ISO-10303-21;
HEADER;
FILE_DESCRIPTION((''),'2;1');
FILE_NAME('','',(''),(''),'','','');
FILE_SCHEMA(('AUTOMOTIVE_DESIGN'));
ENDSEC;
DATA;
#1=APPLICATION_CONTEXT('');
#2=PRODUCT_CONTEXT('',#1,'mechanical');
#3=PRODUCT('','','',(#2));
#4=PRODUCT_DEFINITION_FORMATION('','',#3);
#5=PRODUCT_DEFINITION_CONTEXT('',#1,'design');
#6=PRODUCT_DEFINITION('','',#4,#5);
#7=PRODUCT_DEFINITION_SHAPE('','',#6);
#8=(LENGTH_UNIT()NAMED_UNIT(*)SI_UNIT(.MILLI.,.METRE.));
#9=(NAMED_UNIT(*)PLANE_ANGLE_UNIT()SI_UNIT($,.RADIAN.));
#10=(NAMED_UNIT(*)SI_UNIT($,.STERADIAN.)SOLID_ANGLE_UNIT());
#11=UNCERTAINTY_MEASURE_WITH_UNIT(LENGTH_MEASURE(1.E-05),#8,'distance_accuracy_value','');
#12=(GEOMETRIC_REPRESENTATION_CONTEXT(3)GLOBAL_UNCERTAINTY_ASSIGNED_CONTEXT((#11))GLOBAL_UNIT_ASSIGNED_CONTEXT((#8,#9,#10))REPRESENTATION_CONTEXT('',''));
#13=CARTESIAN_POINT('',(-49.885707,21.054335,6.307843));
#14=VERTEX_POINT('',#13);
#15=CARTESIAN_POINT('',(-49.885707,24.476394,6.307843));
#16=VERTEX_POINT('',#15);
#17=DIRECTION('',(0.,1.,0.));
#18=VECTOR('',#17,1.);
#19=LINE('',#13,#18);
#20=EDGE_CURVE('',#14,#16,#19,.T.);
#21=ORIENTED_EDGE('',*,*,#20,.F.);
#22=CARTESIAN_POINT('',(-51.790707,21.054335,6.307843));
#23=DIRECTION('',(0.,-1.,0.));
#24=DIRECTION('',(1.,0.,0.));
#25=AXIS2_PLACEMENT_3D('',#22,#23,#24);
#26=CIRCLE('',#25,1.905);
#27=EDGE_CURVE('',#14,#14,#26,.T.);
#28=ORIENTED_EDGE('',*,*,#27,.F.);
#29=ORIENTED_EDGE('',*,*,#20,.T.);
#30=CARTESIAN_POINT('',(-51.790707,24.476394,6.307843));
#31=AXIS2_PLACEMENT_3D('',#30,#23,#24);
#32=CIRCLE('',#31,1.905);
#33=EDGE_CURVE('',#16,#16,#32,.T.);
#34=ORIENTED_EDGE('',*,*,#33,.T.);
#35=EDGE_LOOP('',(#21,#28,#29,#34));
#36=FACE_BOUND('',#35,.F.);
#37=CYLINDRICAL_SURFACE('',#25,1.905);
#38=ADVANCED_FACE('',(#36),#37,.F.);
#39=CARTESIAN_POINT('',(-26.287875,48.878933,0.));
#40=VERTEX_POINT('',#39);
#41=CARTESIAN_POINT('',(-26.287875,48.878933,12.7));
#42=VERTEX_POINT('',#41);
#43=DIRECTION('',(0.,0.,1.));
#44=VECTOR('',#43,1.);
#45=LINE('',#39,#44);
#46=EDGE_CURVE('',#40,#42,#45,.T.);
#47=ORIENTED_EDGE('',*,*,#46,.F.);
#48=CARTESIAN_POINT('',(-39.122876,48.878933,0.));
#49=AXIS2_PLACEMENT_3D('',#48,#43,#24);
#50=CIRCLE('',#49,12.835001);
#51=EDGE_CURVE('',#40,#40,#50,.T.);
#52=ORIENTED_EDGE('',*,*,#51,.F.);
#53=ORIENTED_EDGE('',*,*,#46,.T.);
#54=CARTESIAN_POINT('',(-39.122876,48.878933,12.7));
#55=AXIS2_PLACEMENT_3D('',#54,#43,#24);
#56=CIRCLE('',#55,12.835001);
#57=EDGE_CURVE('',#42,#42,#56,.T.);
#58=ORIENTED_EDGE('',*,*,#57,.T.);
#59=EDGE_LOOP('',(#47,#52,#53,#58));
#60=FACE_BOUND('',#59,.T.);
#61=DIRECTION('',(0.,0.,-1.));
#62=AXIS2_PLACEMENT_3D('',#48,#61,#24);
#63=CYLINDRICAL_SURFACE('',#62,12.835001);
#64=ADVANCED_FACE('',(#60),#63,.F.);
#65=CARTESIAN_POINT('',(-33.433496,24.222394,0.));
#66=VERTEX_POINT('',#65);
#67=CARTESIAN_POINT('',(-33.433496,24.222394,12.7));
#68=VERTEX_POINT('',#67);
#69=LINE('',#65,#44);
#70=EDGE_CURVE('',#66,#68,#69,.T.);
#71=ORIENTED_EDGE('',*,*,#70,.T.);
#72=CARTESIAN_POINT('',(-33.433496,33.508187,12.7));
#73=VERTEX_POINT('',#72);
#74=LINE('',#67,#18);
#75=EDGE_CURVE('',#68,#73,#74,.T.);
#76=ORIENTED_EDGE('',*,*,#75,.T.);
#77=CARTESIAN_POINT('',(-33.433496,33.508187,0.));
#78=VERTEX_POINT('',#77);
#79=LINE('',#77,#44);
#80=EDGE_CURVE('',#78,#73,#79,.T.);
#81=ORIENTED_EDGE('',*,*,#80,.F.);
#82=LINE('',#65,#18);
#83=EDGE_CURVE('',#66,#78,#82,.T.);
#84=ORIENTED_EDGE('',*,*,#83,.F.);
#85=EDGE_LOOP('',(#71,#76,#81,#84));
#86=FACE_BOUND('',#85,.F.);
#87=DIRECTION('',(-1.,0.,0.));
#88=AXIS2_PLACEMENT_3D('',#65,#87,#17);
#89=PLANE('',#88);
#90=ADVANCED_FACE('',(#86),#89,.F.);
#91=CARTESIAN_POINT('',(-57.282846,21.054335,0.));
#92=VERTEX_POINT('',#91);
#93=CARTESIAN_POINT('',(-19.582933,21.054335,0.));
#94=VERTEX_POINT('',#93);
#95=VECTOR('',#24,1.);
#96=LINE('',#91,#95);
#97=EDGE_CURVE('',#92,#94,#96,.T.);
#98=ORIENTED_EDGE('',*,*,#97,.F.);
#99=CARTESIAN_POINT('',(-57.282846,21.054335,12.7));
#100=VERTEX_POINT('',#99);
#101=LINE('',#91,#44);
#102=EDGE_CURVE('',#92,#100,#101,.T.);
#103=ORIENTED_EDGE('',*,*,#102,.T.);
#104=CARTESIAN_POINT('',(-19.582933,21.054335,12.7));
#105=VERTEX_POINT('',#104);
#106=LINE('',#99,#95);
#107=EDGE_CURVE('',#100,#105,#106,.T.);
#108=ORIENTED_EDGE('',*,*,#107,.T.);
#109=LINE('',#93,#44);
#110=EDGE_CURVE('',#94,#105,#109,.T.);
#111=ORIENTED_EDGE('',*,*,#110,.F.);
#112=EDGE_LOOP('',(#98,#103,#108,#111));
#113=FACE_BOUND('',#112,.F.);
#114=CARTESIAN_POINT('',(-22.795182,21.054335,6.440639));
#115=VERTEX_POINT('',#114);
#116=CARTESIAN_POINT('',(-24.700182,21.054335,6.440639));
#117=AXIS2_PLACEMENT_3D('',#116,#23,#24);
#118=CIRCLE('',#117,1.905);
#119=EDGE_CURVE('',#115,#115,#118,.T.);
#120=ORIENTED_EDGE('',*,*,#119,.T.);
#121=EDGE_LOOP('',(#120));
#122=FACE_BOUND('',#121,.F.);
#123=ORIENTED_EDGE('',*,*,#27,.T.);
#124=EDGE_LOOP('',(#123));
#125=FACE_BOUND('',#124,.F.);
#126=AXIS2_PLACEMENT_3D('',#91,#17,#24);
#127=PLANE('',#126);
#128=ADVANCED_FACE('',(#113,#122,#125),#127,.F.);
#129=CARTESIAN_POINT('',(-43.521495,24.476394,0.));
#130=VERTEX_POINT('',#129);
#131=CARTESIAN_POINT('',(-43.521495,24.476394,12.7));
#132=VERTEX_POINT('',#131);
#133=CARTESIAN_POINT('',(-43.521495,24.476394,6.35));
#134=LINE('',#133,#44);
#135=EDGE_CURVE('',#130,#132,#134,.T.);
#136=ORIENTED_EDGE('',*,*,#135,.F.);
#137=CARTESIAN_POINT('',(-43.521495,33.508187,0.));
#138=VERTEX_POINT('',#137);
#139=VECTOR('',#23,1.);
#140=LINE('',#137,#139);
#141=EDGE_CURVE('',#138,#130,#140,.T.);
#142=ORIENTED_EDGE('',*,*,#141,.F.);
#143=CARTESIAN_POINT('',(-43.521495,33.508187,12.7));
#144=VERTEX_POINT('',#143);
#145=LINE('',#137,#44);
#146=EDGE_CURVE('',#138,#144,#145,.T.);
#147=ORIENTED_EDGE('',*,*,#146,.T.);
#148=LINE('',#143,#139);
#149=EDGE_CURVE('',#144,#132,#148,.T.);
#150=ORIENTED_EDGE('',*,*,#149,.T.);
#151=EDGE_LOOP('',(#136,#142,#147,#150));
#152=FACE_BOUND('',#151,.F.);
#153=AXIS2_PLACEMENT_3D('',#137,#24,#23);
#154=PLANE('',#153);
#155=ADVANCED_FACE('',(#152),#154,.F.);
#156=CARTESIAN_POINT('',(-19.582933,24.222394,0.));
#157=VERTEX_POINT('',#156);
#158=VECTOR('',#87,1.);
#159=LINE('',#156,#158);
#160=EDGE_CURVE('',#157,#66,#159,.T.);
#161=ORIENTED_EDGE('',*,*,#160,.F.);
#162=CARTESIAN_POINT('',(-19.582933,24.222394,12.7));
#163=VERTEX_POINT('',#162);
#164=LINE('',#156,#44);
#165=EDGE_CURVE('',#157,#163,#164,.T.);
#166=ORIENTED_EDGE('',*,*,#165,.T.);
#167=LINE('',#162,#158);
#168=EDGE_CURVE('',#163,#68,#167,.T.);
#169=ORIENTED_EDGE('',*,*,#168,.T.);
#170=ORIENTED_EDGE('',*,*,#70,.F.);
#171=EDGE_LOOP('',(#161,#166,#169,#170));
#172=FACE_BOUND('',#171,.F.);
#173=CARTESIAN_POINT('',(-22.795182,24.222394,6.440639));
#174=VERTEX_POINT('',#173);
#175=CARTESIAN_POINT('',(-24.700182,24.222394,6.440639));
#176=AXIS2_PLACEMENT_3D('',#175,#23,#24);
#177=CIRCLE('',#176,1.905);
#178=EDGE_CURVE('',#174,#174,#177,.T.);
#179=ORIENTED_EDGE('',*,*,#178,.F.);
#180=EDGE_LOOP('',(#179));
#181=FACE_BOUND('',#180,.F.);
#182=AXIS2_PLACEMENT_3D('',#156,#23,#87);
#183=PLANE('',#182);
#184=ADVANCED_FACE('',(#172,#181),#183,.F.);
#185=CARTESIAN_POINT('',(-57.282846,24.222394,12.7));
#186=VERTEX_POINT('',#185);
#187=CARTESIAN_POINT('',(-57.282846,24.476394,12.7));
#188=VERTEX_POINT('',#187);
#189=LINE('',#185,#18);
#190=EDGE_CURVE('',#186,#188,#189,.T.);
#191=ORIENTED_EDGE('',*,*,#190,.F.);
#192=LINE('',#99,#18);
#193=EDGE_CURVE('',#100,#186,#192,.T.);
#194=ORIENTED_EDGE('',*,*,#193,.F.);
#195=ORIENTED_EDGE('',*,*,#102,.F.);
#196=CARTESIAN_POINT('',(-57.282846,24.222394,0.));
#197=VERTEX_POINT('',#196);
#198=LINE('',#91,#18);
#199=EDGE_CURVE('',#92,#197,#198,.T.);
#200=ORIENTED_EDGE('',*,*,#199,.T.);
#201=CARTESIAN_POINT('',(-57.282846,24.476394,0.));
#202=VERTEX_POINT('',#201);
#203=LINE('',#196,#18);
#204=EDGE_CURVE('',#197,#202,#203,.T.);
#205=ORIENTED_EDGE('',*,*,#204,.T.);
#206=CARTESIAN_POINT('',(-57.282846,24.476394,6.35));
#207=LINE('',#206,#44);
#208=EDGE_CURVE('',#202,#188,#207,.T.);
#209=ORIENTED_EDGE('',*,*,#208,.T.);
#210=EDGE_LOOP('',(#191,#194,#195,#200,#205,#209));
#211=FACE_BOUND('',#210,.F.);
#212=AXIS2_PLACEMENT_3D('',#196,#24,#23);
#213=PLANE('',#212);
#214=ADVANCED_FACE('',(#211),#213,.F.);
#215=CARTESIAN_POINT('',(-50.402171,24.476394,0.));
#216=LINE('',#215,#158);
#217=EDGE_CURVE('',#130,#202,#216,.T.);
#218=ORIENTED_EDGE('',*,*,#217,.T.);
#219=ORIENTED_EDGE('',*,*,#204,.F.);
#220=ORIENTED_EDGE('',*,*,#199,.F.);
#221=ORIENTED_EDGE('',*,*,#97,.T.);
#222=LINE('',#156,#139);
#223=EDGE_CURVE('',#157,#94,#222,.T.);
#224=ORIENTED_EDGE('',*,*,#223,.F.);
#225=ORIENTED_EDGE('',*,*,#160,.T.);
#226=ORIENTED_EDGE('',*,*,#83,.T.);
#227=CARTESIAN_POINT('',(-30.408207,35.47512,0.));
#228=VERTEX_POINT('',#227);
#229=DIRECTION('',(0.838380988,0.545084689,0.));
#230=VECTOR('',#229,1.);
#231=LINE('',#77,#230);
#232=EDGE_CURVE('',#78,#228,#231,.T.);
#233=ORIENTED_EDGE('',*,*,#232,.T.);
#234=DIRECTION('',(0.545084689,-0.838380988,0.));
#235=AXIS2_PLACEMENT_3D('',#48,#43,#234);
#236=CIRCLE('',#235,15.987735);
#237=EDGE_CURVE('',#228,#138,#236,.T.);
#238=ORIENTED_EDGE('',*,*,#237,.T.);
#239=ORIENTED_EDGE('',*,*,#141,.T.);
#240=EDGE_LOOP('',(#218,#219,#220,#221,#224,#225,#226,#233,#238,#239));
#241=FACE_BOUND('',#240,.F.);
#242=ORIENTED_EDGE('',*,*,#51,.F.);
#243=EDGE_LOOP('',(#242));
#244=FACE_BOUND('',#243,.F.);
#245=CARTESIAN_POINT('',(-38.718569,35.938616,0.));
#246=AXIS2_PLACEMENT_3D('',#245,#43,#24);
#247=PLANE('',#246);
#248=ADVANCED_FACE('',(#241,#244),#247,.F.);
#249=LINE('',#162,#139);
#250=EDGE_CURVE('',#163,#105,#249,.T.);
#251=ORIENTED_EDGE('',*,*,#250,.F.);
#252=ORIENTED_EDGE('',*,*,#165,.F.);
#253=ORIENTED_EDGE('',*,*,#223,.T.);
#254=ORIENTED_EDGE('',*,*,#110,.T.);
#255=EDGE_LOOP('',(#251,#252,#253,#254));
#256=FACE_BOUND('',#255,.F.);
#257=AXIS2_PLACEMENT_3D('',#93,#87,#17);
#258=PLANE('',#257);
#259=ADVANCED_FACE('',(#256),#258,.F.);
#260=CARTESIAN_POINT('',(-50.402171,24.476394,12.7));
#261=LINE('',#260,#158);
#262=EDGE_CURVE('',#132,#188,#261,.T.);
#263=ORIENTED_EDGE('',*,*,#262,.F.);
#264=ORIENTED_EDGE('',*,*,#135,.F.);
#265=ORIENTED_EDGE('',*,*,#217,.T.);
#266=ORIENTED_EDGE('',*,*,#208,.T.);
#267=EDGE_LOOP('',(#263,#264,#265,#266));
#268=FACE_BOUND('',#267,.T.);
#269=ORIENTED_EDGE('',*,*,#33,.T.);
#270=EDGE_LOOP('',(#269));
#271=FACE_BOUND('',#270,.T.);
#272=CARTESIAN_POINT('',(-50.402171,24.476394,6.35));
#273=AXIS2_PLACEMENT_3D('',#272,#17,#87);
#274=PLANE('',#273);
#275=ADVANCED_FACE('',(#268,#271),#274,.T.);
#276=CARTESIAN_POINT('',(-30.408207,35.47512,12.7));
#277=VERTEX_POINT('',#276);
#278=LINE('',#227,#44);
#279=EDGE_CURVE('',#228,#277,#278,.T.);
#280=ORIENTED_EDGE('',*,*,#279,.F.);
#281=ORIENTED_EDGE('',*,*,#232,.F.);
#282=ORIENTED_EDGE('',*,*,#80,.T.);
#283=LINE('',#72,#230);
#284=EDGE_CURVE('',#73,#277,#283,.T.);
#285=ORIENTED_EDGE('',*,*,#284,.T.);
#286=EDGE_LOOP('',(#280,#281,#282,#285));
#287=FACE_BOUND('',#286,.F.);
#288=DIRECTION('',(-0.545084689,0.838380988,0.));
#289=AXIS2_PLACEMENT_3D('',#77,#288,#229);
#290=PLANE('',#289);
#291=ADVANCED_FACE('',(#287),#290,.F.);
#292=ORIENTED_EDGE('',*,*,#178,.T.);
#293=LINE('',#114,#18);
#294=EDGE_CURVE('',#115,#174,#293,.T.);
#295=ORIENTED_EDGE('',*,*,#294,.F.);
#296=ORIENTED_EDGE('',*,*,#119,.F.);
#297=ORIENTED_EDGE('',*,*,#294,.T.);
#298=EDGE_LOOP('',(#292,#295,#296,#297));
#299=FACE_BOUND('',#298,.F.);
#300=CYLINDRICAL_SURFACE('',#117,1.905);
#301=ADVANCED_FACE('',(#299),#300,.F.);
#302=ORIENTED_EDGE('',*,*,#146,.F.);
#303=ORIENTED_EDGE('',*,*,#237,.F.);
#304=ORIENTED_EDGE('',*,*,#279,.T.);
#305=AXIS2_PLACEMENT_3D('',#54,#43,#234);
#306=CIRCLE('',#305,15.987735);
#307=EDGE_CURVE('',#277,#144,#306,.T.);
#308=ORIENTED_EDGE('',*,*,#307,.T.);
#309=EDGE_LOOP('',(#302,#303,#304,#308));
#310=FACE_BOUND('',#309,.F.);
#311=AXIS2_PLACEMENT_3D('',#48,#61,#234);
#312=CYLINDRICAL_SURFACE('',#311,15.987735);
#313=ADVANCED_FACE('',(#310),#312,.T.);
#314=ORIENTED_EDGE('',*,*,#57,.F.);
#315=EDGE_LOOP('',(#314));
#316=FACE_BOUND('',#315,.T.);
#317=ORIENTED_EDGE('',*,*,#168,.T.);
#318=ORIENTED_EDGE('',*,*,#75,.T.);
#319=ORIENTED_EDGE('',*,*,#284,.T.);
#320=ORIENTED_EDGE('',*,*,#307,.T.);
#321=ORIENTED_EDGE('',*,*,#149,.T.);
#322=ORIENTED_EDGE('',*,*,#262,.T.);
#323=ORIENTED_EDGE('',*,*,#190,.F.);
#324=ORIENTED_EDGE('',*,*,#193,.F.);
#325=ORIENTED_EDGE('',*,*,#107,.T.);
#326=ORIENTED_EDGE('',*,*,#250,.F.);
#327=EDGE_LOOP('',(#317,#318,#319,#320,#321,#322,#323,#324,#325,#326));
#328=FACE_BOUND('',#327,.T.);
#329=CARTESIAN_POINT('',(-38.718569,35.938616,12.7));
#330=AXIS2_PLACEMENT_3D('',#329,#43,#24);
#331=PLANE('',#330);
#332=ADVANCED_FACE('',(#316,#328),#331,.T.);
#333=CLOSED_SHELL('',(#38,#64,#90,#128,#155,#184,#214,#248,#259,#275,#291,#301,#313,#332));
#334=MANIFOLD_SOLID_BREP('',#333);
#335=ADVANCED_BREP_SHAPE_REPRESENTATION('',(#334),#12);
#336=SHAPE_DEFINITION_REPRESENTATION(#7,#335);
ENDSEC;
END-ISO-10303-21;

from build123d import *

# Parameters (mm, degrees)
F0_R       = 12.835001
F1_DEPTH   = 12.7
F2_R       = 1.905
F1_FACE_W  = 37.6999124221
F1_FACE_H  = 12.7
F1_FACE1_W = 13.7613505735
F1_FACE1_H = 12.7
F3_DEPTH   = 0.254
F4_DEPTH   = 4.7498


with BuildPart() as f1:
    # F0 (on Top) → F1 (new body)
    with BuildSketch(Plane.XY):
        with BuildLine():
            Line((-33.4334959418, 33.5081874669), (-30.4082068312, 35.4751199209))
            ThreePointArc((-30.4082068312, 35.4751199209), (-41.4944322517, 64.6897953257), (-43.5214952555, 33.5081874669))
            Line((-43.5214952555, 33.5081874669), (-43.5214952555, 24.2223944372))
            Line((-43.5214952555, 24.2223944372), (-57.282845829, 24.2223944372))
            Line((-57.282845829, 24.2223944372), (-57.282845829, 21.0543349588))
            Line((-57.282845829, 21.0543349588), (-19.5829334069, 21.0543349588))
            Line((-19.5829334069, 21.0543349588), (-19.5829334069, 24.2223944372))
            Line((-19.5829334069, 24.2223944372), (-33.4334959418, 24.2223944372))
            Line((-33.4334959418, 24.2223944372), (-33.4334959418, 33.5081874669))
        make_face()
        with Locations((-39.122876168, 48.8789326412)):
            Circle(F0_R, mode=Mode.SUBTRACT)
    extrude(amount=F1_DEPTH)

    # F2 (on face) + F1_face (on face) + F1_face1 (on face) → F3 (join)
    with BuildSketch(Plane.XZ.offset(-21.0543349588)):
        with Locations((-51.7907068133, 6.3078426756)):
            Circle(F2_R)
    with BuildSketch(Plane(origin=(-38.432889618, 21.0543349588, 6.35), x_dir=(1, 0, 0), z_dir=(0, -1, 0))):
        Rectangle(F1_FACE_W, F1_FACE_H)
    with BuildSketch(Plane(origin=(-50.4021705423, 24.2223944372, 6.35), x_dir=(-1, 0, 0), z_dir=(0, 1, 0))):
        Rectangle(F1_FACE1_W, F1_FACE1_H)
    extrude(amount=-F3_DEPTH, dir=(0, -1, 0))

    # F2 (on face) → F4 (cut)
    with BuildSketch(Plane.XZ.offset(-21.0543349588)):
        with Locations((-24.7001815587, 6.4406394958)):
            Circle(F2_R)
        with Locations((-51.7907068133, 6.3078426756)):
            Circle(F2_R)
    extrude(amount=-F4_DEPTH, mode=Mode.SUBTRACT)


solid = f1.part
